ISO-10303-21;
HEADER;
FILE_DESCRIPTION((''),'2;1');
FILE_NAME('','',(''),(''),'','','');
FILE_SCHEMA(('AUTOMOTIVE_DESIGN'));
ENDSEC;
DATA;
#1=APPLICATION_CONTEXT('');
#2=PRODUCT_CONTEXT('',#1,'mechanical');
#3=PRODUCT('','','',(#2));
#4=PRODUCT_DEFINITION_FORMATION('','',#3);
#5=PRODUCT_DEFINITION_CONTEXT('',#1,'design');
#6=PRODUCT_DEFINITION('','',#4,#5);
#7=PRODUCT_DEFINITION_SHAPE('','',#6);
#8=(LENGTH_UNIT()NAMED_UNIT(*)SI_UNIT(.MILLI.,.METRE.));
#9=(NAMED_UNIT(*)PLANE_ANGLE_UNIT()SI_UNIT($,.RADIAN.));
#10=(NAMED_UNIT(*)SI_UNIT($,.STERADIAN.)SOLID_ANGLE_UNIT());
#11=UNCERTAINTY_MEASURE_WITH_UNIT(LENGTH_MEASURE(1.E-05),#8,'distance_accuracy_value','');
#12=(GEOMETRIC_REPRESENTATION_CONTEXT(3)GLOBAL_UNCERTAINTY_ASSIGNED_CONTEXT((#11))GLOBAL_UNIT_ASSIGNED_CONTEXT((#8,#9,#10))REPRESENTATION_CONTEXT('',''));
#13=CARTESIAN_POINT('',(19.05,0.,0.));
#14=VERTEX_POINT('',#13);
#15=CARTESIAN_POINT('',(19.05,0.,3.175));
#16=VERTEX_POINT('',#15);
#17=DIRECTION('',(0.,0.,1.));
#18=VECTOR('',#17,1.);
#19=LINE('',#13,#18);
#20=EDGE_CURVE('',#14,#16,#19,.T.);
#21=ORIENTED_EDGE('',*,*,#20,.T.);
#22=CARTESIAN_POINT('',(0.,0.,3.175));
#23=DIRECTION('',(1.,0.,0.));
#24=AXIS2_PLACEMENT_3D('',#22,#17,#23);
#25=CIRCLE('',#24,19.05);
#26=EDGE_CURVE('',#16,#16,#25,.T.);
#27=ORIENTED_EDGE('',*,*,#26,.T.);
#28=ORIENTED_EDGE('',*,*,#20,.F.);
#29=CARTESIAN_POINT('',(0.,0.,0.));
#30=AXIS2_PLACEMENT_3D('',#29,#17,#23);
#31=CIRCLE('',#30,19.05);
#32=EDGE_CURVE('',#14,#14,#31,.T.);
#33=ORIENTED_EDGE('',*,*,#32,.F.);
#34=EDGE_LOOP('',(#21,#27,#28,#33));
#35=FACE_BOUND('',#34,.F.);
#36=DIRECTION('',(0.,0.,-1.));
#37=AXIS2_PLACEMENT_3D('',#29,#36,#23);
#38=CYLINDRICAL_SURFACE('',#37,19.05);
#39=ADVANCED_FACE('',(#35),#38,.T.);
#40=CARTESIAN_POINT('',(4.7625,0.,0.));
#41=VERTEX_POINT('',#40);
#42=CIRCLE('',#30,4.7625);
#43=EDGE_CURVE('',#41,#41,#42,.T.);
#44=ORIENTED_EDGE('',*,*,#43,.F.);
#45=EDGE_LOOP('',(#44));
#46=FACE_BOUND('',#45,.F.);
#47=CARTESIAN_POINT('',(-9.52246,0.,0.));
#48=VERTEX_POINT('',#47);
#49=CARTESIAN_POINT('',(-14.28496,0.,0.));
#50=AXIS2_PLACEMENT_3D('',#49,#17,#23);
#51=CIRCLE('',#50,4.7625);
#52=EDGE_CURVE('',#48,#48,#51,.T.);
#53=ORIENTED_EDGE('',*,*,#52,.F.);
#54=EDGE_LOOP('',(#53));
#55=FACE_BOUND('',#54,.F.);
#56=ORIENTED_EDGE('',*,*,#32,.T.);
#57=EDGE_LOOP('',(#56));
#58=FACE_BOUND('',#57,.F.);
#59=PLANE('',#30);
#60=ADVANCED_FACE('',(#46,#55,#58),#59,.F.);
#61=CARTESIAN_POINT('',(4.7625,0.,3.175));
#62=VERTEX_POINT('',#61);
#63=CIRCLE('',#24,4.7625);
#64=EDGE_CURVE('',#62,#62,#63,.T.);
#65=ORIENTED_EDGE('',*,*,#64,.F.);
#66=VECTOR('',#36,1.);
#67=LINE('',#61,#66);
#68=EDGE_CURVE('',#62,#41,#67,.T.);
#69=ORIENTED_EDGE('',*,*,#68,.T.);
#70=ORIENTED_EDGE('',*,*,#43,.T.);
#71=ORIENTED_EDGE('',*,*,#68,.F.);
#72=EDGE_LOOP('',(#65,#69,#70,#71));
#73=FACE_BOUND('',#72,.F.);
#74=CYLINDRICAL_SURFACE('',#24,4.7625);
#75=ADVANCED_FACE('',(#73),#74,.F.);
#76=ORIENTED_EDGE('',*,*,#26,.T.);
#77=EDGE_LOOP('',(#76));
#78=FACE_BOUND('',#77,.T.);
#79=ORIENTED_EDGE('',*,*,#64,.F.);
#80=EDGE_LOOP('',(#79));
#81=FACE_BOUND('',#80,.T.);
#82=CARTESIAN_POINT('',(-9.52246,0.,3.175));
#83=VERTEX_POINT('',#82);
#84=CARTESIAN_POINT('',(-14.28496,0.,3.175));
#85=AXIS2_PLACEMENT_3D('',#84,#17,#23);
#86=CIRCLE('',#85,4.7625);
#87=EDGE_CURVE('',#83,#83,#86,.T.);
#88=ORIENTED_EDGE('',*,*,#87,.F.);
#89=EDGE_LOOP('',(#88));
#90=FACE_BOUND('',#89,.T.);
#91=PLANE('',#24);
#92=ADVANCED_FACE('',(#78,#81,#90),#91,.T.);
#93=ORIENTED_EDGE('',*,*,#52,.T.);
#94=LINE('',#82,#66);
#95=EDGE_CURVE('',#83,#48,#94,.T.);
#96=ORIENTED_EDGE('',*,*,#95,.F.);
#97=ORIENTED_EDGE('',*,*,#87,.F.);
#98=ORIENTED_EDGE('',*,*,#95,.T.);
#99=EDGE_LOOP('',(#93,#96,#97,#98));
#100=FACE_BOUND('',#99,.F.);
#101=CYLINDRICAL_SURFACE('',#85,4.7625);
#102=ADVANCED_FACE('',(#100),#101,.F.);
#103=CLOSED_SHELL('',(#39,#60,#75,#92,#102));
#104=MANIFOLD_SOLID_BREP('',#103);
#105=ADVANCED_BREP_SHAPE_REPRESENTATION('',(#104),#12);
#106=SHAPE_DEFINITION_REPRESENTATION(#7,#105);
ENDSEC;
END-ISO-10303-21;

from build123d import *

# Parameters (mm, degrees)
F0_R     = 19.05
F1_DEPTH = 3.175
F2_R     = 4.7625
F3_DEPTH = 9.8425


with BuildPart() as f1:
    # F0 (on Top) → F1 (new body)
    with BuildSketch(Plane.XY):
        Circle(F0_R)
    extrude(amount=F1_DEPTH)

    # F2 (on face) → F3 (cut)
    with BuildSketch(Plane.XY.offset(3.175)):
        with Locations((-14.28496, 0)):
            Circle(F2_R)
        Circle(F2_R)
    extrude(amount=-F3_DEPTH, mode=Mode.SUBTRACT)


solid = f1.part
